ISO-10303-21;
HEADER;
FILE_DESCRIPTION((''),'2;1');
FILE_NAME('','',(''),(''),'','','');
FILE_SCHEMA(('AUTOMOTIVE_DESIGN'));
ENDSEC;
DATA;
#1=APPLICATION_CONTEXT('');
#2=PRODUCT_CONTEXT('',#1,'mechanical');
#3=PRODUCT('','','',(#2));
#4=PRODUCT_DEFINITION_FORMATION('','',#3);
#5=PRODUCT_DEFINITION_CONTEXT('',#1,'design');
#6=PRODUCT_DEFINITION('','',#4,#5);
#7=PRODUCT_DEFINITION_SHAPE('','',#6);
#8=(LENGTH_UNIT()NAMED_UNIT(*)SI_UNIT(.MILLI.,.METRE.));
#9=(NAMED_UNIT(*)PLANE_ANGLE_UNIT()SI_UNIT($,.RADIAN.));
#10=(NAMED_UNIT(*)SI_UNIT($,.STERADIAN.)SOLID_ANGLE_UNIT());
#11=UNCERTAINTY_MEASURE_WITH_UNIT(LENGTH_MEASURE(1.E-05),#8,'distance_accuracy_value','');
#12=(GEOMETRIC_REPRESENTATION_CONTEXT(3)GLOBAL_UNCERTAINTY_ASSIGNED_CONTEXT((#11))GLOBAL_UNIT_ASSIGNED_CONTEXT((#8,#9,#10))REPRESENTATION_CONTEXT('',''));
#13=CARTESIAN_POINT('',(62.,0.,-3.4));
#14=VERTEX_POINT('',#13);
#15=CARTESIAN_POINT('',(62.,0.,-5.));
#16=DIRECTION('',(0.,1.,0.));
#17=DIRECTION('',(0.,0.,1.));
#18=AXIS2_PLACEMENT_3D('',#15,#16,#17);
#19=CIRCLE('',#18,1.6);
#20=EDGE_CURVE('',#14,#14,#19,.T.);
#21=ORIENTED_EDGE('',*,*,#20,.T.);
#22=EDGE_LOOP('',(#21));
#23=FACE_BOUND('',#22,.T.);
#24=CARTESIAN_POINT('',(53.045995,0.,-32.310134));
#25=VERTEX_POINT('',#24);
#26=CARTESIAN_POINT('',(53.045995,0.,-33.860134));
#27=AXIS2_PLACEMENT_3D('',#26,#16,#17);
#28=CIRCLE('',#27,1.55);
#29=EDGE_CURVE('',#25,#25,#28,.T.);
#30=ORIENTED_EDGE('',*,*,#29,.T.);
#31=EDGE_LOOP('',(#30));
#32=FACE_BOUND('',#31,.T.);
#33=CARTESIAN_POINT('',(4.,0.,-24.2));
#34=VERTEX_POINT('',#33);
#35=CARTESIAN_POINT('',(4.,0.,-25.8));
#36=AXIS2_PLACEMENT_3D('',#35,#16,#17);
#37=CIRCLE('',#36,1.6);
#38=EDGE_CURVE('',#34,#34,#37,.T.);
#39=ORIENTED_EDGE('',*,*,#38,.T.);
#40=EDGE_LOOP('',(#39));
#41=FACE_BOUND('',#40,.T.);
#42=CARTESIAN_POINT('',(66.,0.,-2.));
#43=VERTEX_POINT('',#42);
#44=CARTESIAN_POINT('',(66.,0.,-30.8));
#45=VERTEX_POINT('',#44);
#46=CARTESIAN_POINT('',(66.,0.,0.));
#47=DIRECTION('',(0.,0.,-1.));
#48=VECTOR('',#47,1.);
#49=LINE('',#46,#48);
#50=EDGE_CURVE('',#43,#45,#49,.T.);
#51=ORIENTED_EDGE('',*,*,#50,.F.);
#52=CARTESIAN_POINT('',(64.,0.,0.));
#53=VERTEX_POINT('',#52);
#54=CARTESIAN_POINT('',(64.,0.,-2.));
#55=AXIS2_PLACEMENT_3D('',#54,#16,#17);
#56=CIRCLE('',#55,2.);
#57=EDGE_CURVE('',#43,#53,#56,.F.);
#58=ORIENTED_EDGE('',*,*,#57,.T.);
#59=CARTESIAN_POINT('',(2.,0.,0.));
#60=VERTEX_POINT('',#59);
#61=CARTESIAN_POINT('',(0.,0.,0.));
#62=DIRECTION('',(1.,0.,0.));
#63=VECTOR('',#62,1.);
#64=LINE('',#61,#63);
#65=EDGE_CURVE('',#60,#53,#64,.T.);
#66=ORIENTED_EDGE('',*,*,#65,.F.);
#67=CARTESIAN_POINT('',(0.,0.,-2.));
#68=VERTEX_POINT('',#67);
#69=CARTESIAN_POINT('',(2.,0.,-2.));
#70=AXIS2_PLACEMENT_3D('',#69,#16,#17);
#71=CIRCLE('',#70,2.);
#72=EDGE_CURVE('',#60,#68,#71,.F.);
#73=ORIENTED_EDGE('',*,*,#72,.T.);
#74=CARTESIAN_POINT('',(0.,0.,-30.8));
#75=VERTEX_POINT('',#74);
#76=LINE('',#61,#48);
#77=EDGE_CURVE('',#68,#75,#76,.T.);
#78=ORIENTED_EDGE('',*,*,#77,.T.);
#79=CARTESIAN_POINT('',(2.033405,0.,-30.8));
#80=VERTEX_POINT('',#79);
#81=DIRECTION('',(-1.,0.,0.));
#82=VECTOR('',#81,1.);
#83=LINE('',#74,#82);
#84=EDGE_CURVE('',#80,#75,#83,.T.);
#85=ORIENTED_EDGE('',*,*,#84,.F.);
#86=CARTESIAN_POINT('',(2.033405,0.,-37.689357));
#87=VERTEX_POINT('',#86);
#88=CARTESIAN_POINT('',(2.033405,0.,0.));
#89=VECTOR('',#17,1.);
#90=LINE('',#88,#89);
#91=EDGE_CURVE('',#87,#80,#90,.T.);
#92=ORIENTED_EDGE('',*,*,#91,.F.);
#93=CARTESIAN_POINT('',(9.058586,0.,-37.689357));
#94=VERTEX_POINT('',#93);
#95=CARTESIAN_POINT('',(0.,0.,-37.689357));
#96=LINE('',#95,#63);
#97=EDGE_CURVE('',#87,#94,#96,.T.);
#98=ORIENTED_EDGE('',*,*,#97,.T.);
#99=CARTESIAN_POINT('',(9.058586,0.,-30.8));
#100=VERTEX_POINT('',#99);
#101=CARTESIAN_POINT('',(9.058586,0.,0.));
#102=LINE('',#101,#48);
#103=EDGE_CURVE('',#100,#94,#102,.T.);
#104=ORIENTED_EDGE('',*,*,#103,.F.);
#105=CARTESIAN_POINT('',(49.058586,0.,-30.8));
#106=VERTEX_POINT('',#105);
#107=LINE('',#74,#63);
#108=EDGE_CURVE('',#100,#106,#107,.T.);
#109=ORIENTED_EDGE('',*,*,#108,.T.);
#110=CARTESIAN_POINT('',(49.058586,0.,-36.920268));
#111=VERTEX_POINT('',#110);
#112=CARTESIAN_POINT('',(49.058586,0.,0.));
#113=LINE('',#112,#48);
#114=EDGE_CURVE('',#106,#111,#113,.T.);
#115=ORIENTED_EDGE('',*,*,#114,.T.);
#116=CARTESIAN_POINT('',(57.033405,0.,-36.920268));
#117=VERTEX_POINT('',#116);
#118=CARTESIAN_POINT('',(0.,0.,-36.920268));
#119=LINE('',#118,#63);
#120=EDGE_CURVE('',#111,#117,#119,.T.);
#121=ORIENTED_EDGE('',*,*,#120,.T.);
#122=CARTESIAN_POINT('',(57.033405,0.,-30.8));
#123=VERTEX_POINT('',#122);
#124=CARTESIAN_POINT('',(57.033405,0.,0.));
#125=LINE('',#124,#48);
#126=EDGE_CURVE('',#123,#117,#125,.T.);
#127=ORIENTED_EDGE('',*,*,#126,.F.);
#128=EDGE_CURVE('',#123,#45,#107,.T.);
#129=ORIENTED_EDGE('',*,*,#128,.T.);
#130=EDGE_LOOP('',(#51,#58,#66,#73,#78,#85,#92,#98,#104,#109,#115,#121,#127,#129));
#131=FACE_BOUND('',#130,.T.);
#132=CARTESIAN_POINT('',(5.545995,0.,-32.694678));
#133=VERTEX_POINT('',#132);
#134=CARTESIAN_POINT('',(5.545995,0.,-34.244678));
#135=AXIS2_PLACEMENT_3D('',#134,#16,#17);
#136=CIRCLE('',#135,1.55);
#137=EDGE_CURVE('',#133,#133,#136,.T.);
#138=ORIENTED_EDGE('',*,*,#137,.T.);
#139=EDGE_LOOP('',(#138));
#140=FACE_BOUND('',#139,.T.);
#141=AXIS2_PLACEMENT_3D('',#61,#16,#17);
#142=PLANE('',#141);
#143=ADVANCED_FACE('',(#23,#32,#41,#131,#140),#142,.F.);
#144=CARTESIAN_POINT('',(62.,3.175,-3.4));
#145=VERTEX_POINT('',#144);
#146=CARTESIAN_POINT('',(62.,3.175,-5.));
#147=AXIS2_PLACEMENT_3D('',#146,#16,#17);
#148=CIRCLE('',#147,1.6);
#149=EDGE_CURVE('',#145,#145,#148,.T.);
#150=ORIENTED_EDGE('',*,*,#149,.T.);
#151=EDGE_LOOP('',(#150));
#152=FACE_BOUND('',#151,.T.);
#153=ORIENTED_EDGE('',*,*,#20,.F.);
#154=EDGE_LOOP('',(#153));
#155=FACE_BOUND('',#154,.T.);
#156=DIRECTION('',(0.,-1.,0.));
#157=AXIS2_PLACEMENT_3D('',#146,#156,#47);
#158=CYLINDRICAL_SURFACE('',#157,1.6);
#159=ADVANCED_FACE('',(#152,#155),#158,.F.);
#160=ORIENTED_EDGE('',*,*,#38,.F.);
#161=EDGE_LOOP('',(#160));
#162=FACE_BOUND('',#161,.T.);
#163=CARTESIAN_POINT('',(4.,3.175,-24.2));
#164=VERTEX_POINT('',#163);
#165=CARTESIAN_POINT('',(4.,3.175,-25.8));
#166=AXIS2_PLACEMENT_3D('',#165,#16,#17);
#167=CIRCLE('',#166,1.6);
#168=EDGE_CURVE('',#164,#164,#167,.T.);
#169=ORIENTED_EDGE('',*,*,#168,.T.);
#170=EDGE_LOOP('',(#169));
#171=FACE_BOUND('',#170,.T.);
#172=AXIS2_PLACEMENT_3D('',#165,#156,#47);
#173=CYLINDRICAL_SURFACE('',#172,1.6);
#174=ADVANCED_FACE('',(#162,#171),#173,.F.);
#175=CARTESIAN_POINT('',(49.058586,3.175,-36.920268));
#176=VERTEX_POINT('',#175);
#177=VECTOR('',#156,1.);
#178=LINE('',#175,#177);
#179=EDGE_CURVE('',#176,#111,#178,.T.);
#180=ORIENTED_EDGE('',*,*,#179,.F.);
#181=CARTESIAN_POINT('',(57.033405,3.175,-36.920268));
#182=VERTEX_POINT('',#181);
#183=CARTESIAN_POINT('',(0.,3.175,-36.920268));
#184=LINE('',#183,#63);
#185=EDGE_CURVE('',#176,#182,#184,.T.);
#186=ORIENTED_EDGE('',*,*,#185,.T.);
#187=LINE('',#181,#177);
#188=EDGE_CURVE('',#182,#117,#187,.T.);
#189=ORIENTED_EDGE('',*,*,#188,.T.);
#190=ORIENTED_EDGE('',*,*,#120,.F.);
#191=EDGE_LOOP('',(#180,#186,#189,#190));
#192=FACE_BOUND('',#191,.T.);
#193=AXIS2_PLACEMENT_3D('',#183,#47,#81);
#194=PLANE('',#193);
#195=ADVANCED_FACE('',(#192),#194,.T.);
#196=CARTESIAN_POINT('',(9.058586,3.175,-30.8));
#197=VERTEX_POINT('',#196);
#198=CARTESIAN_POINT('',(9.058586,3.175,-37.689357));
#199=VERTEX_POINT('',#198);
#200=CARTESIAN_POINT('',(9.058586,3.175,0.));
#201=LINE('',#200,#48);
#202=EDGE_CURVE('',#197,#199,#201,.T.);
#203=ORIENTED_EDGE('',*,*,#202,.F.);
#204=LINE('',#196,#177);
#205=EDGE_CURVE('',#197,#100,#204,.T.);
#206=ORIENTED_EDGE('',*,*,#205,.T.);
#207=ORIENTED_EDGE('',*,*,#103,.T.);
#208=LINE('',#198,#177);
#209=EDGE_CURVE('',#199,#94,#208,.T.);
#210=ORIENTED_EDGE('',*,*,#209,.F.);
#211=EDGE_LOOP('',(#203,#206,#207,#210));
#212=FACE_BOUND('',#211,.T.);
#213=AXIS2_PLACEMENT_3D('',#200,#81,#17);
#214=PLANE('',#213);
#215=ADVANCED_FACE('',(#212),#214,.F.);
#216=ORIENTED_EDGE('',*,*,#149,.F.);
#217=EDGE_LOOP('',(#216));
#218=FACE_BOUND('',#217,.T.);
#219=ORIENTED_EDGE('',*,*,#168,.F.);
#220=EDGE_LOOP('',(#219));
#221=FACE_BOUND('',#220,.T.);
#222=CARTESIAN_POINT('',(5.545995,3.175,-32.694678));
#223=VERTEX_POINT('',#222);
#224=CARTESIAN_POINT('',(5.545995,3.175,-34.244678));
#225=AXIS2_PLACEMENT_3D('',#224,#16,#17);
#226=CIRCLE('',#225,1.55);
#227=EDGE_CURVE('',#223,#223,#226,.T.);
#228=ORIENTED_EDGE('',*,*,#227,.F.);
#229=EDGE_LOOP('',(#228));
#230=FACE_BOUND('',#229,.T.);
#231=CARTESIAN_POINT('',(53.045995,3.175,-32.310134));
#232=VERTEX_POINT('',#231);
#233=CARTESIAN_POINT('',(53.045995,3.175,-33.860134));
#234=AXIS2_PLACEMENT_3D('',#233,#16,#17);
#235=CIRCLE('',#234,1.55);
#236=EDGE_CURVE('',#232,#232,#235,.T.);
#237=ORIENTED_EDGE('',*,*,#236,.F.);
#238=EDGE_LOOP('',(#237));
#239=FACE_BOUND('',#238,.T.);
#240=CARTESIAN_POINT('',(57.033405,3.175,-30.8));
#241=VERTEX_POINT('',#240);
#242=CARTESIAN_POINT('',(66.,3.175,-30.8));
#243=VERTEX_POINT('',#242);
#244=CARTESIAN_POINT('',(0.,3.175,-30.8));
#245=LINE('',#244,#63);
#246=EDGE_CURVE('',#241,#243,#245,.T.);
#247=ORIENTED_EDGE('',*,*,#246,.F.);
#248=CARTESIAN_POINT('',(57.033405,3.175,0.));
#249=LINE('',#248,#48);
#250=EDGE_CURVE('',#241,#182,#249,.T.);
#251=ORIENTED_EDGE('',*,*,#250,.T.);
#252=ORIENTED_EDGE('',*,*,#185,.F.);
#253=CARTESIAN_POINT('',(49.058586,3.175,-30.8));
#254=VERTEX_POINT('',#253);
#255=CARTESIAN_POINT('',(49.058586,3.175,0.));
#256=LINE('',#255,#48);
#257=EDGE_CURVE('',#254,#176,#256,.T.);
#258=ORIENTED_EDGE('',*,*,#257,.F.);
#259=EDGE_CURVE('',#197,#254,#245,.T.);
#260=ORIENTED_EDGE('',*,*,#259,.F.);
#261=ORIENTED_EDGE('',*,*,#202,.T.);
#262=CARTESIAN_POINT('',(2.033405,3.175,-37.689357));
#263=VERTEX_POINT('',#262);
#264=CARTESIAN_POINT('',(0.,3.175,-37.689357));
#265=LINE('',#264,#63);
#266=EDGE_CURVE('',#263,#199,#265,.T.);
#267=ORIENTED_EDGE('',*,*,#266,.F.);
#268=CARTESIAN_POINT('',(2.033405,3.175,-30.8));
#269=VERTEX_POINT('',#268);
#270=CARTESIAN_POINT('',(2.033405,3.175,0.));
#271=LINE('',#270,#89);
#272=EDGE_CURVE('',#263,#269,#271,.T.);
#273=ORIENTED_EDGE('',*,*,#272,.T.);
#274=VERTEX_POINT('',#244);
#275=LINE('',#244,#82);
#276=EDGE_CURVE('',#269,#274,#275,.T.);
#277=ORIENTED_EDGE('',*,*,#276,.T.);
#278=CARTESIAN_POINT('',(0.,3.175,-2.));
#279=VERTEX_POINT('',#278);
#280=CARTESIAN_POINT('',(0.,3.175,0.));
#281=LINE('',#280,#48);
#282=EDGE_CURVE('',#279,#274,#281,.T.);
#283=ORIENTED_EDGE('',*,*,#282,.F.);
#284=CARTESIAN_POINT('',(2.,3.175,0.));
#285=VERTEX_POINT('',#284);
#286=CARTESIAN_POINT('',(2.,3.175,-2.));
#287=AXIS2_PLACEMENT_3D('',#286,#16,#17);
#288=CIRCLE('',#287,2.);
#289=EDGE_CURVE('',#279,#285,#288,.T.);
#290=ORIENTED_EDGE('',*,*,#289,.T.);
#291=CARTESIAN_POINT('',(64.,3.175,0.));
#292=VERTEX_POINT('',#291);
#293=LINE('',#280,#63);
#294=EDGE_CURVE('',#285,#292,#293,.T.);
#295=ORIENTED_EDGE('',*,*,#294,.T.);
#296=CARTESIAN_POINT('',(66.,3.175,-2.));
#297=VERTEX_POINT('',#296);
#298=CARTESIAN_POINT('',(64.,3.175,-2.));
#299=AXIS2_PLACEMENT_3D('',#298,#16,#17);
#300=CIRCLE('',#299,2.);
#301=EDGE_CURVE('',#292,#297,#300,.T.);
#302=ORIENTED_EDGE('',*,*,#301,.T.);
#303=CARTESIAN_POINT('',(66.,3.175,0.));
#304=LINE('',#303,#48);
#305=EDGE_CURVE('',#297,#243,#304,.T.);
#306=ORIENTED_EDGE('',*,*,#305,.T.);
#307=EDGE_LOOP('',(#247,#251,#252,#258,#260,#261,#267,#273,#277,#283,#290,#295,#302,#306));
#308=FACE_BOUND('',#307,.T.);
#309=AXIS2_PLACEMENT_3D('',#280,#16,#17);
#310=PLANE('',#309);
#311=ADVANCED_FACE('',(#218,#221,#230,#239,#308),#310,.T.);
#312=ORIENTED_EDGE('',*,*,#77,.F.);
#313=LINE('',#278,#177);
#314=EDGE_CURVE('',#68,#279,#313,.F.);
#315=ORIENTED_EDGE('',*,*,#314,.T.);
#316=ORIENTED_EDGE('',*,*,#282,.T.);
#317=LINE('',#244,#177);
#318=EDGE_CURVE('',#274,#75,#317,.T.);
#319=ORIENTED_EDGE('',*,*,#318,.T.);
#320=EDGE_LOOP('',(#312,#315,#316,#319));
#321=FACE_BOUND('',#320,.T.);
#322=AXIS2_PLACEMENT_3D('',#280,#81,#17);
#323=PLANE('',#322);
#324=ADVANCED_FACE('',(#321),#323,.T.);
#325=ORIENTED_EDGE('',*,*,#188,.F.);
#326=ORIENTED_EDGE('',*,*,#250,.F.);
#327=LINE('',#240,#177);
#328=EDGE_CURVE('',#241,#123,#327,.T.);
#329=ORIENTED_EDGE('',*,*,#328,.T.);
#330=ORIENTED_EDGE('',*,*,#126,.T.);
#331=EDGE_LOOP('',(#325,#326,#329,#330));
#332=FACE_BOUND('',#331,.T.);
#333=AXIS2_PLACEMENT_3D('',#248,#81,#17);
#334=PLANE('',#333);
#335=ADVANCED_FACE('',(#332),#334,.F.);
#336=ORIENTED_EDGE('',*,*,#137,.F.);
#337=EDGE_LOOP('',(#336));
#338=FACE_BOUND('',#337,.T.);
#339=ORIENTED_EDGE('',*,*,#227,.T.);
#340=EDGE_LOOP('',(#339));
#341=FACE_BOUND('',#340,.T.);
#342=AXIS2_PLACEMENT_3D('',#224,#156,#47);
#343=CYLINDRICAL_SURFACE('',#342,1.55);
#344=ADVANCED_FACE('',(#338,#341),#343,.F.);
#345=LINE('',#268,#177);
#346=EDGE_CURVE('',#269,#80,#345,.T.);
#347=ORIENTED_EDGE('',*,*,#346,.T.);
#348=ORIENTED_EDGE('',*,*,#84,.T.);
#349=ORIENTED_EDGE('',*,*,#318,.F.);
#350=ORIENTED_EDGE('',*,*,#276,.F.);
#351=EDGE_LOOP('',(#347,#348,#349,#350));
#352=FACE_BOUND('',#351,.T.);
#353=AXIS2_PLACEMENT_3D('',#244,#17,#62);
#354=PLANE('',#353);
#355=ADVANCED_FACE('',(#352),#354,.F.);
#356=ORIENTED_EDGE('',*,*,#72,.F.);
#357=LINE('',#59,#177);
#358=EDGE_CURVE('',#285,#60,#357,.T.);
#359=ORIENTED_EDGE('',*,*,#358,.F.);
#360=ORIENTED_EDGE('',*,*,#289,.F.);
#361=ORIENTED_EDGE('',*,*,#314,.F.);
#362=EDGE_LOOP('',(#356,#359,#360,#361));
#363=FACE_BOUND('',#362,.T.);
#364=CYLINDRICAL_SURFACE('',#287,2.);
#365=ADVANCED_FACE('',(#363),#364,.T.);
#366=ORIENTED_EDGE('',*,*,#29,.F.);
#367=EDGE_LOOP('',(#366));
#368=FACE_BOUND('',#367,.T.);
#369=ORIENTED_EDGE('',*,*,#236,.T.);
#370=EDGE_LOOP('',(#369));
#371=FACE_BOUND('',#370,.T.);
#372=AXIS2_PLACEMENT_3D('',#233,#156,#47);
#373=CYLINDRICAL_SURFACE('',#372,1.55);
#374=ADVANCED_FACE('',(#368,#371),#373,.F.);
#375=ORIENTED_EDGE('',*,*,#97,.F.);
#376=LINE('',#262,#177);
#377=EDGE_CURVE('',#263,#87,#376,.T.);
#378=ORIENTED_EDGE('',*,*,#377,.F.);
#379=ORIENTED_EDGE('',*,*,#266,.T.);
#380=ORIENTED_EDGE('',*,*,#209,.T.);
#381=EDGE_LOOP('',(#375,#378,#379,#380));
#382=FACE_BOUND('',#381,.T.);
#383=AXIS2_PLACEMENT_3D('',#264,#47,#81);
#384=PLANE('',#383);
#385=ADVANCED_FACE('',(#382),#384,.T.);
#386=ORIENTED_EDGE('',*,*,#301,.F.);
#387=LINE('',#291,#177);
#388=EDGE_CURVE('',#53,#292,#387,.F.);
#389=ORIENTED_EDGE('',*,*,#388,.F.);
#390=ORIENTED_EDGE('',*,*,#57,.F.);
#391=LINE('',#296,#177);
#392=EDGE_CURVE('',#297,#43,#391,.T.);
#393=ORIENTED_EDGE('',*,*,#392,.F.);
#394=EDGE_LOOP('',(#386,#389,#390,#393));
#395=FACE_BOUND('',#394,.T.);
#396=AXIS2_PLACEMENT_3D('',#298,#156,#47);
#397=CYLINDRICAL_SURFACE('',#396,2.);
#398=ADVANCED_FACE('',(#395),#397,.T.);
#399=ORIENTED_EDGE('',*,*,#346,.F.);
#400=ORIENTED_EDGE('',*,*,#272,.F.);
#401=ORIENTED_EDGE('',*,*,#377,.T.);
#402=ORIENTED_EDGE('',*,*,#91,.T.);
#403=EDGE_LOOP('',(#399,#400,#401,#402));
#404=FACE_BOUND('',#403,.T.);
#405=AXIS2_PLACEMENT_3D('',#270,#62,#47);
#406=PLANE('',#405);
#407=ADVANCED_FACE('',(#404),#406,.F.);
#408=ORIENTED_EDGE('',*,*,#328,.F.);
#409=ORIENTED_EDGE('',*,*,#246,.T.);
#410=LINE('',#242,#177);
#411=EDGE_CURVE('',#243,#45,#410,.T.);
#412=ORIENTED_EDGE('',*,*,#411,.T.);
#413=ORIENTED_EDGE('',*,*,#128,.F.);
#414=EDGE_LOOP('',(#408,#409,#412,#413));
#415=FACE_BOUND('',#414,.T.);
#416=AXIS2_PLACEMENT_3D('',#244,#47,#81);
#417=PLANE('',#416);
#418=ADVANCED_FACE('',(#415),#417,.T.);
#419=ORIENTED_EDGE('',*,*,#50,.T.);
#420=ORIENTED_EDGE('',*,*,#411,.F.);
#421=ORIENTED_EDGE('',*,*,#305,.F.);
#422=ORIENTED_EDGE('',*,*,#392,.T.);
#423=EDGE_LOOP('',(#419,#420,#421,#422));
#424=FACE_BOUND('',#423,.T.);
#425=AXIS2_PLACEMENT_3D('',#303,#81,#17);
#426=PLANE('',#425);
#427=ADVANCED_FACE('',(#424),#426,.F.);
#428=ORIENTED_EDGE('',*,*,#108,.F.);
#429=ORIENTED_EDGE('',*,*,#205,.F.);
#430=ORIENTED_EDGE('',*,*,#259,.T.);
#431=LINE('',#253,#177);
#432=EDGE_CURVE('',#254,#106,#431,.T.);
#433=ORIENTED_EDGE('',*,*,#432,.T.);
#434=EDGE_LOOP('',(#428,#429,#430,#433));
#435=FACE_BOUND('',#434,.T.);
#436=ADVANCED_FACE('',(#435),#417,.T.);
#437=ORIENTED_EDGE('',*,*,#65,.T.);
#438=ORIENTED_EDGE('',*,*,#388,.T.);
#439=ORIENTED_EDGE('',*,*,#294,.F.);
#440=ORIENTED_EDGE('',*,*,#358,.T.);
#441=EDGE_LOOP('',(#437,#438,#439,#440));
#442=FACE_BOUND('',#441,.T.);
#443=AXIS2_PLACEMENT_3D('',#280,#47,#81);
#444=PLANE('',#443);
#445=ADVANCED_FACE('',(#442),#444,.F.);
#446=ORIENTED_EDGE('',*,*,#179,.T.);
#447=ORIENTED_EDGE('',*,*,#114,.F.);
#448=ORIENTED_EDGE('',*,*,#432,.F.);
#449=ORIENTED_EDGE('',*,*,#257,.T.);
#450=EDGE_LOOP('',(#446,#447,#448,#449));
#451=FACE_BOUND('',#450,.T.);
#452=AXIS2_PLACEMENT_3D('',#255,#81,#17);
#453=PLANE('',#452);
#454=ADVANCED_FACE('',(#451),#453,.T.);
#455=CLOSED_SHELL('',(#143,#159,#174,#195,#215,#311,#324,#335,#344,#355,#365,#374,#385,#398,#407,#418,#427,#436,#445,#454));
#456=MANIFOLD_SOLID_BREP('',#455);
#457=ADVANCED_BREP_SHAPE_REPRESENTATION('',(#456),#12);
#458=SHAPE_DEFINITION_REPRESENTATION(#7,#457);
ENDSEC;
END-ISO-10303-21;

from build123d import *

# Parameters (mm, degrees)
SKETCH2_R           = 1.6
SKETCH2_R_2         = 1.550000008
SKETCH2_R_3         = 1.55
BOSS_EXTRUDE1_DEPTH = 3.175
FILLET1_R           = 2


with BuildPart() as part:
    # Sketch2 → Boss-Extrude1 (new body)
    with BuildSketch(Plane(origin=(0, 0, 0), x_dir=(1, 0, 0), z_dir=(0, 1, 0))):
        Polygon((9.058586069, 30.8), (9.058586069, 37.689356794), (2.033404749, 37.689356794), (2.033404749, 30.8), (0, 30.8), (0, 0), (66, 0), (66, 30.8), (57.033404749, 30.8), (57.033404749, 36.920267815), (49.058586069, 36.920267815), (49.058586069, 30.8), align=None)
        with Locations(Location((62, 5, 0), (0, 0, 270))):
            Circle(SKETCH2_R, mode=Mode.SUBTRACT)
        with Locations(Location((4, 25.8, 0), (0, 0, 270))):
            Circle(SKETCH2_R, mode=Mode.SUBTRACT)
        with Locations(Location((5.545995409, 34.244678397, 0), (0, 0, 270))):
            Circle(SKETCH2_R_2, mode=Mode.SUBTRACT)
        with Locations(Location((53.045995409, 33.860133908, 0), (0, 0, 270))):
            Circle(SKETCH2_R_3, mode=Mode.SUBTRACT)
    extrude(amount=BOSS_EXTRUDE1_DEPTH)

    # Fillet1
    fillet1_edges = [part.edges().sort_by_distance(p)[0] for p in [
        (66, 1.5875, 0),
        (0, 1.5875, 0),
    ]]
    fillet(fillet1_edges, radius=FILLET1_R)


solid = part.part
